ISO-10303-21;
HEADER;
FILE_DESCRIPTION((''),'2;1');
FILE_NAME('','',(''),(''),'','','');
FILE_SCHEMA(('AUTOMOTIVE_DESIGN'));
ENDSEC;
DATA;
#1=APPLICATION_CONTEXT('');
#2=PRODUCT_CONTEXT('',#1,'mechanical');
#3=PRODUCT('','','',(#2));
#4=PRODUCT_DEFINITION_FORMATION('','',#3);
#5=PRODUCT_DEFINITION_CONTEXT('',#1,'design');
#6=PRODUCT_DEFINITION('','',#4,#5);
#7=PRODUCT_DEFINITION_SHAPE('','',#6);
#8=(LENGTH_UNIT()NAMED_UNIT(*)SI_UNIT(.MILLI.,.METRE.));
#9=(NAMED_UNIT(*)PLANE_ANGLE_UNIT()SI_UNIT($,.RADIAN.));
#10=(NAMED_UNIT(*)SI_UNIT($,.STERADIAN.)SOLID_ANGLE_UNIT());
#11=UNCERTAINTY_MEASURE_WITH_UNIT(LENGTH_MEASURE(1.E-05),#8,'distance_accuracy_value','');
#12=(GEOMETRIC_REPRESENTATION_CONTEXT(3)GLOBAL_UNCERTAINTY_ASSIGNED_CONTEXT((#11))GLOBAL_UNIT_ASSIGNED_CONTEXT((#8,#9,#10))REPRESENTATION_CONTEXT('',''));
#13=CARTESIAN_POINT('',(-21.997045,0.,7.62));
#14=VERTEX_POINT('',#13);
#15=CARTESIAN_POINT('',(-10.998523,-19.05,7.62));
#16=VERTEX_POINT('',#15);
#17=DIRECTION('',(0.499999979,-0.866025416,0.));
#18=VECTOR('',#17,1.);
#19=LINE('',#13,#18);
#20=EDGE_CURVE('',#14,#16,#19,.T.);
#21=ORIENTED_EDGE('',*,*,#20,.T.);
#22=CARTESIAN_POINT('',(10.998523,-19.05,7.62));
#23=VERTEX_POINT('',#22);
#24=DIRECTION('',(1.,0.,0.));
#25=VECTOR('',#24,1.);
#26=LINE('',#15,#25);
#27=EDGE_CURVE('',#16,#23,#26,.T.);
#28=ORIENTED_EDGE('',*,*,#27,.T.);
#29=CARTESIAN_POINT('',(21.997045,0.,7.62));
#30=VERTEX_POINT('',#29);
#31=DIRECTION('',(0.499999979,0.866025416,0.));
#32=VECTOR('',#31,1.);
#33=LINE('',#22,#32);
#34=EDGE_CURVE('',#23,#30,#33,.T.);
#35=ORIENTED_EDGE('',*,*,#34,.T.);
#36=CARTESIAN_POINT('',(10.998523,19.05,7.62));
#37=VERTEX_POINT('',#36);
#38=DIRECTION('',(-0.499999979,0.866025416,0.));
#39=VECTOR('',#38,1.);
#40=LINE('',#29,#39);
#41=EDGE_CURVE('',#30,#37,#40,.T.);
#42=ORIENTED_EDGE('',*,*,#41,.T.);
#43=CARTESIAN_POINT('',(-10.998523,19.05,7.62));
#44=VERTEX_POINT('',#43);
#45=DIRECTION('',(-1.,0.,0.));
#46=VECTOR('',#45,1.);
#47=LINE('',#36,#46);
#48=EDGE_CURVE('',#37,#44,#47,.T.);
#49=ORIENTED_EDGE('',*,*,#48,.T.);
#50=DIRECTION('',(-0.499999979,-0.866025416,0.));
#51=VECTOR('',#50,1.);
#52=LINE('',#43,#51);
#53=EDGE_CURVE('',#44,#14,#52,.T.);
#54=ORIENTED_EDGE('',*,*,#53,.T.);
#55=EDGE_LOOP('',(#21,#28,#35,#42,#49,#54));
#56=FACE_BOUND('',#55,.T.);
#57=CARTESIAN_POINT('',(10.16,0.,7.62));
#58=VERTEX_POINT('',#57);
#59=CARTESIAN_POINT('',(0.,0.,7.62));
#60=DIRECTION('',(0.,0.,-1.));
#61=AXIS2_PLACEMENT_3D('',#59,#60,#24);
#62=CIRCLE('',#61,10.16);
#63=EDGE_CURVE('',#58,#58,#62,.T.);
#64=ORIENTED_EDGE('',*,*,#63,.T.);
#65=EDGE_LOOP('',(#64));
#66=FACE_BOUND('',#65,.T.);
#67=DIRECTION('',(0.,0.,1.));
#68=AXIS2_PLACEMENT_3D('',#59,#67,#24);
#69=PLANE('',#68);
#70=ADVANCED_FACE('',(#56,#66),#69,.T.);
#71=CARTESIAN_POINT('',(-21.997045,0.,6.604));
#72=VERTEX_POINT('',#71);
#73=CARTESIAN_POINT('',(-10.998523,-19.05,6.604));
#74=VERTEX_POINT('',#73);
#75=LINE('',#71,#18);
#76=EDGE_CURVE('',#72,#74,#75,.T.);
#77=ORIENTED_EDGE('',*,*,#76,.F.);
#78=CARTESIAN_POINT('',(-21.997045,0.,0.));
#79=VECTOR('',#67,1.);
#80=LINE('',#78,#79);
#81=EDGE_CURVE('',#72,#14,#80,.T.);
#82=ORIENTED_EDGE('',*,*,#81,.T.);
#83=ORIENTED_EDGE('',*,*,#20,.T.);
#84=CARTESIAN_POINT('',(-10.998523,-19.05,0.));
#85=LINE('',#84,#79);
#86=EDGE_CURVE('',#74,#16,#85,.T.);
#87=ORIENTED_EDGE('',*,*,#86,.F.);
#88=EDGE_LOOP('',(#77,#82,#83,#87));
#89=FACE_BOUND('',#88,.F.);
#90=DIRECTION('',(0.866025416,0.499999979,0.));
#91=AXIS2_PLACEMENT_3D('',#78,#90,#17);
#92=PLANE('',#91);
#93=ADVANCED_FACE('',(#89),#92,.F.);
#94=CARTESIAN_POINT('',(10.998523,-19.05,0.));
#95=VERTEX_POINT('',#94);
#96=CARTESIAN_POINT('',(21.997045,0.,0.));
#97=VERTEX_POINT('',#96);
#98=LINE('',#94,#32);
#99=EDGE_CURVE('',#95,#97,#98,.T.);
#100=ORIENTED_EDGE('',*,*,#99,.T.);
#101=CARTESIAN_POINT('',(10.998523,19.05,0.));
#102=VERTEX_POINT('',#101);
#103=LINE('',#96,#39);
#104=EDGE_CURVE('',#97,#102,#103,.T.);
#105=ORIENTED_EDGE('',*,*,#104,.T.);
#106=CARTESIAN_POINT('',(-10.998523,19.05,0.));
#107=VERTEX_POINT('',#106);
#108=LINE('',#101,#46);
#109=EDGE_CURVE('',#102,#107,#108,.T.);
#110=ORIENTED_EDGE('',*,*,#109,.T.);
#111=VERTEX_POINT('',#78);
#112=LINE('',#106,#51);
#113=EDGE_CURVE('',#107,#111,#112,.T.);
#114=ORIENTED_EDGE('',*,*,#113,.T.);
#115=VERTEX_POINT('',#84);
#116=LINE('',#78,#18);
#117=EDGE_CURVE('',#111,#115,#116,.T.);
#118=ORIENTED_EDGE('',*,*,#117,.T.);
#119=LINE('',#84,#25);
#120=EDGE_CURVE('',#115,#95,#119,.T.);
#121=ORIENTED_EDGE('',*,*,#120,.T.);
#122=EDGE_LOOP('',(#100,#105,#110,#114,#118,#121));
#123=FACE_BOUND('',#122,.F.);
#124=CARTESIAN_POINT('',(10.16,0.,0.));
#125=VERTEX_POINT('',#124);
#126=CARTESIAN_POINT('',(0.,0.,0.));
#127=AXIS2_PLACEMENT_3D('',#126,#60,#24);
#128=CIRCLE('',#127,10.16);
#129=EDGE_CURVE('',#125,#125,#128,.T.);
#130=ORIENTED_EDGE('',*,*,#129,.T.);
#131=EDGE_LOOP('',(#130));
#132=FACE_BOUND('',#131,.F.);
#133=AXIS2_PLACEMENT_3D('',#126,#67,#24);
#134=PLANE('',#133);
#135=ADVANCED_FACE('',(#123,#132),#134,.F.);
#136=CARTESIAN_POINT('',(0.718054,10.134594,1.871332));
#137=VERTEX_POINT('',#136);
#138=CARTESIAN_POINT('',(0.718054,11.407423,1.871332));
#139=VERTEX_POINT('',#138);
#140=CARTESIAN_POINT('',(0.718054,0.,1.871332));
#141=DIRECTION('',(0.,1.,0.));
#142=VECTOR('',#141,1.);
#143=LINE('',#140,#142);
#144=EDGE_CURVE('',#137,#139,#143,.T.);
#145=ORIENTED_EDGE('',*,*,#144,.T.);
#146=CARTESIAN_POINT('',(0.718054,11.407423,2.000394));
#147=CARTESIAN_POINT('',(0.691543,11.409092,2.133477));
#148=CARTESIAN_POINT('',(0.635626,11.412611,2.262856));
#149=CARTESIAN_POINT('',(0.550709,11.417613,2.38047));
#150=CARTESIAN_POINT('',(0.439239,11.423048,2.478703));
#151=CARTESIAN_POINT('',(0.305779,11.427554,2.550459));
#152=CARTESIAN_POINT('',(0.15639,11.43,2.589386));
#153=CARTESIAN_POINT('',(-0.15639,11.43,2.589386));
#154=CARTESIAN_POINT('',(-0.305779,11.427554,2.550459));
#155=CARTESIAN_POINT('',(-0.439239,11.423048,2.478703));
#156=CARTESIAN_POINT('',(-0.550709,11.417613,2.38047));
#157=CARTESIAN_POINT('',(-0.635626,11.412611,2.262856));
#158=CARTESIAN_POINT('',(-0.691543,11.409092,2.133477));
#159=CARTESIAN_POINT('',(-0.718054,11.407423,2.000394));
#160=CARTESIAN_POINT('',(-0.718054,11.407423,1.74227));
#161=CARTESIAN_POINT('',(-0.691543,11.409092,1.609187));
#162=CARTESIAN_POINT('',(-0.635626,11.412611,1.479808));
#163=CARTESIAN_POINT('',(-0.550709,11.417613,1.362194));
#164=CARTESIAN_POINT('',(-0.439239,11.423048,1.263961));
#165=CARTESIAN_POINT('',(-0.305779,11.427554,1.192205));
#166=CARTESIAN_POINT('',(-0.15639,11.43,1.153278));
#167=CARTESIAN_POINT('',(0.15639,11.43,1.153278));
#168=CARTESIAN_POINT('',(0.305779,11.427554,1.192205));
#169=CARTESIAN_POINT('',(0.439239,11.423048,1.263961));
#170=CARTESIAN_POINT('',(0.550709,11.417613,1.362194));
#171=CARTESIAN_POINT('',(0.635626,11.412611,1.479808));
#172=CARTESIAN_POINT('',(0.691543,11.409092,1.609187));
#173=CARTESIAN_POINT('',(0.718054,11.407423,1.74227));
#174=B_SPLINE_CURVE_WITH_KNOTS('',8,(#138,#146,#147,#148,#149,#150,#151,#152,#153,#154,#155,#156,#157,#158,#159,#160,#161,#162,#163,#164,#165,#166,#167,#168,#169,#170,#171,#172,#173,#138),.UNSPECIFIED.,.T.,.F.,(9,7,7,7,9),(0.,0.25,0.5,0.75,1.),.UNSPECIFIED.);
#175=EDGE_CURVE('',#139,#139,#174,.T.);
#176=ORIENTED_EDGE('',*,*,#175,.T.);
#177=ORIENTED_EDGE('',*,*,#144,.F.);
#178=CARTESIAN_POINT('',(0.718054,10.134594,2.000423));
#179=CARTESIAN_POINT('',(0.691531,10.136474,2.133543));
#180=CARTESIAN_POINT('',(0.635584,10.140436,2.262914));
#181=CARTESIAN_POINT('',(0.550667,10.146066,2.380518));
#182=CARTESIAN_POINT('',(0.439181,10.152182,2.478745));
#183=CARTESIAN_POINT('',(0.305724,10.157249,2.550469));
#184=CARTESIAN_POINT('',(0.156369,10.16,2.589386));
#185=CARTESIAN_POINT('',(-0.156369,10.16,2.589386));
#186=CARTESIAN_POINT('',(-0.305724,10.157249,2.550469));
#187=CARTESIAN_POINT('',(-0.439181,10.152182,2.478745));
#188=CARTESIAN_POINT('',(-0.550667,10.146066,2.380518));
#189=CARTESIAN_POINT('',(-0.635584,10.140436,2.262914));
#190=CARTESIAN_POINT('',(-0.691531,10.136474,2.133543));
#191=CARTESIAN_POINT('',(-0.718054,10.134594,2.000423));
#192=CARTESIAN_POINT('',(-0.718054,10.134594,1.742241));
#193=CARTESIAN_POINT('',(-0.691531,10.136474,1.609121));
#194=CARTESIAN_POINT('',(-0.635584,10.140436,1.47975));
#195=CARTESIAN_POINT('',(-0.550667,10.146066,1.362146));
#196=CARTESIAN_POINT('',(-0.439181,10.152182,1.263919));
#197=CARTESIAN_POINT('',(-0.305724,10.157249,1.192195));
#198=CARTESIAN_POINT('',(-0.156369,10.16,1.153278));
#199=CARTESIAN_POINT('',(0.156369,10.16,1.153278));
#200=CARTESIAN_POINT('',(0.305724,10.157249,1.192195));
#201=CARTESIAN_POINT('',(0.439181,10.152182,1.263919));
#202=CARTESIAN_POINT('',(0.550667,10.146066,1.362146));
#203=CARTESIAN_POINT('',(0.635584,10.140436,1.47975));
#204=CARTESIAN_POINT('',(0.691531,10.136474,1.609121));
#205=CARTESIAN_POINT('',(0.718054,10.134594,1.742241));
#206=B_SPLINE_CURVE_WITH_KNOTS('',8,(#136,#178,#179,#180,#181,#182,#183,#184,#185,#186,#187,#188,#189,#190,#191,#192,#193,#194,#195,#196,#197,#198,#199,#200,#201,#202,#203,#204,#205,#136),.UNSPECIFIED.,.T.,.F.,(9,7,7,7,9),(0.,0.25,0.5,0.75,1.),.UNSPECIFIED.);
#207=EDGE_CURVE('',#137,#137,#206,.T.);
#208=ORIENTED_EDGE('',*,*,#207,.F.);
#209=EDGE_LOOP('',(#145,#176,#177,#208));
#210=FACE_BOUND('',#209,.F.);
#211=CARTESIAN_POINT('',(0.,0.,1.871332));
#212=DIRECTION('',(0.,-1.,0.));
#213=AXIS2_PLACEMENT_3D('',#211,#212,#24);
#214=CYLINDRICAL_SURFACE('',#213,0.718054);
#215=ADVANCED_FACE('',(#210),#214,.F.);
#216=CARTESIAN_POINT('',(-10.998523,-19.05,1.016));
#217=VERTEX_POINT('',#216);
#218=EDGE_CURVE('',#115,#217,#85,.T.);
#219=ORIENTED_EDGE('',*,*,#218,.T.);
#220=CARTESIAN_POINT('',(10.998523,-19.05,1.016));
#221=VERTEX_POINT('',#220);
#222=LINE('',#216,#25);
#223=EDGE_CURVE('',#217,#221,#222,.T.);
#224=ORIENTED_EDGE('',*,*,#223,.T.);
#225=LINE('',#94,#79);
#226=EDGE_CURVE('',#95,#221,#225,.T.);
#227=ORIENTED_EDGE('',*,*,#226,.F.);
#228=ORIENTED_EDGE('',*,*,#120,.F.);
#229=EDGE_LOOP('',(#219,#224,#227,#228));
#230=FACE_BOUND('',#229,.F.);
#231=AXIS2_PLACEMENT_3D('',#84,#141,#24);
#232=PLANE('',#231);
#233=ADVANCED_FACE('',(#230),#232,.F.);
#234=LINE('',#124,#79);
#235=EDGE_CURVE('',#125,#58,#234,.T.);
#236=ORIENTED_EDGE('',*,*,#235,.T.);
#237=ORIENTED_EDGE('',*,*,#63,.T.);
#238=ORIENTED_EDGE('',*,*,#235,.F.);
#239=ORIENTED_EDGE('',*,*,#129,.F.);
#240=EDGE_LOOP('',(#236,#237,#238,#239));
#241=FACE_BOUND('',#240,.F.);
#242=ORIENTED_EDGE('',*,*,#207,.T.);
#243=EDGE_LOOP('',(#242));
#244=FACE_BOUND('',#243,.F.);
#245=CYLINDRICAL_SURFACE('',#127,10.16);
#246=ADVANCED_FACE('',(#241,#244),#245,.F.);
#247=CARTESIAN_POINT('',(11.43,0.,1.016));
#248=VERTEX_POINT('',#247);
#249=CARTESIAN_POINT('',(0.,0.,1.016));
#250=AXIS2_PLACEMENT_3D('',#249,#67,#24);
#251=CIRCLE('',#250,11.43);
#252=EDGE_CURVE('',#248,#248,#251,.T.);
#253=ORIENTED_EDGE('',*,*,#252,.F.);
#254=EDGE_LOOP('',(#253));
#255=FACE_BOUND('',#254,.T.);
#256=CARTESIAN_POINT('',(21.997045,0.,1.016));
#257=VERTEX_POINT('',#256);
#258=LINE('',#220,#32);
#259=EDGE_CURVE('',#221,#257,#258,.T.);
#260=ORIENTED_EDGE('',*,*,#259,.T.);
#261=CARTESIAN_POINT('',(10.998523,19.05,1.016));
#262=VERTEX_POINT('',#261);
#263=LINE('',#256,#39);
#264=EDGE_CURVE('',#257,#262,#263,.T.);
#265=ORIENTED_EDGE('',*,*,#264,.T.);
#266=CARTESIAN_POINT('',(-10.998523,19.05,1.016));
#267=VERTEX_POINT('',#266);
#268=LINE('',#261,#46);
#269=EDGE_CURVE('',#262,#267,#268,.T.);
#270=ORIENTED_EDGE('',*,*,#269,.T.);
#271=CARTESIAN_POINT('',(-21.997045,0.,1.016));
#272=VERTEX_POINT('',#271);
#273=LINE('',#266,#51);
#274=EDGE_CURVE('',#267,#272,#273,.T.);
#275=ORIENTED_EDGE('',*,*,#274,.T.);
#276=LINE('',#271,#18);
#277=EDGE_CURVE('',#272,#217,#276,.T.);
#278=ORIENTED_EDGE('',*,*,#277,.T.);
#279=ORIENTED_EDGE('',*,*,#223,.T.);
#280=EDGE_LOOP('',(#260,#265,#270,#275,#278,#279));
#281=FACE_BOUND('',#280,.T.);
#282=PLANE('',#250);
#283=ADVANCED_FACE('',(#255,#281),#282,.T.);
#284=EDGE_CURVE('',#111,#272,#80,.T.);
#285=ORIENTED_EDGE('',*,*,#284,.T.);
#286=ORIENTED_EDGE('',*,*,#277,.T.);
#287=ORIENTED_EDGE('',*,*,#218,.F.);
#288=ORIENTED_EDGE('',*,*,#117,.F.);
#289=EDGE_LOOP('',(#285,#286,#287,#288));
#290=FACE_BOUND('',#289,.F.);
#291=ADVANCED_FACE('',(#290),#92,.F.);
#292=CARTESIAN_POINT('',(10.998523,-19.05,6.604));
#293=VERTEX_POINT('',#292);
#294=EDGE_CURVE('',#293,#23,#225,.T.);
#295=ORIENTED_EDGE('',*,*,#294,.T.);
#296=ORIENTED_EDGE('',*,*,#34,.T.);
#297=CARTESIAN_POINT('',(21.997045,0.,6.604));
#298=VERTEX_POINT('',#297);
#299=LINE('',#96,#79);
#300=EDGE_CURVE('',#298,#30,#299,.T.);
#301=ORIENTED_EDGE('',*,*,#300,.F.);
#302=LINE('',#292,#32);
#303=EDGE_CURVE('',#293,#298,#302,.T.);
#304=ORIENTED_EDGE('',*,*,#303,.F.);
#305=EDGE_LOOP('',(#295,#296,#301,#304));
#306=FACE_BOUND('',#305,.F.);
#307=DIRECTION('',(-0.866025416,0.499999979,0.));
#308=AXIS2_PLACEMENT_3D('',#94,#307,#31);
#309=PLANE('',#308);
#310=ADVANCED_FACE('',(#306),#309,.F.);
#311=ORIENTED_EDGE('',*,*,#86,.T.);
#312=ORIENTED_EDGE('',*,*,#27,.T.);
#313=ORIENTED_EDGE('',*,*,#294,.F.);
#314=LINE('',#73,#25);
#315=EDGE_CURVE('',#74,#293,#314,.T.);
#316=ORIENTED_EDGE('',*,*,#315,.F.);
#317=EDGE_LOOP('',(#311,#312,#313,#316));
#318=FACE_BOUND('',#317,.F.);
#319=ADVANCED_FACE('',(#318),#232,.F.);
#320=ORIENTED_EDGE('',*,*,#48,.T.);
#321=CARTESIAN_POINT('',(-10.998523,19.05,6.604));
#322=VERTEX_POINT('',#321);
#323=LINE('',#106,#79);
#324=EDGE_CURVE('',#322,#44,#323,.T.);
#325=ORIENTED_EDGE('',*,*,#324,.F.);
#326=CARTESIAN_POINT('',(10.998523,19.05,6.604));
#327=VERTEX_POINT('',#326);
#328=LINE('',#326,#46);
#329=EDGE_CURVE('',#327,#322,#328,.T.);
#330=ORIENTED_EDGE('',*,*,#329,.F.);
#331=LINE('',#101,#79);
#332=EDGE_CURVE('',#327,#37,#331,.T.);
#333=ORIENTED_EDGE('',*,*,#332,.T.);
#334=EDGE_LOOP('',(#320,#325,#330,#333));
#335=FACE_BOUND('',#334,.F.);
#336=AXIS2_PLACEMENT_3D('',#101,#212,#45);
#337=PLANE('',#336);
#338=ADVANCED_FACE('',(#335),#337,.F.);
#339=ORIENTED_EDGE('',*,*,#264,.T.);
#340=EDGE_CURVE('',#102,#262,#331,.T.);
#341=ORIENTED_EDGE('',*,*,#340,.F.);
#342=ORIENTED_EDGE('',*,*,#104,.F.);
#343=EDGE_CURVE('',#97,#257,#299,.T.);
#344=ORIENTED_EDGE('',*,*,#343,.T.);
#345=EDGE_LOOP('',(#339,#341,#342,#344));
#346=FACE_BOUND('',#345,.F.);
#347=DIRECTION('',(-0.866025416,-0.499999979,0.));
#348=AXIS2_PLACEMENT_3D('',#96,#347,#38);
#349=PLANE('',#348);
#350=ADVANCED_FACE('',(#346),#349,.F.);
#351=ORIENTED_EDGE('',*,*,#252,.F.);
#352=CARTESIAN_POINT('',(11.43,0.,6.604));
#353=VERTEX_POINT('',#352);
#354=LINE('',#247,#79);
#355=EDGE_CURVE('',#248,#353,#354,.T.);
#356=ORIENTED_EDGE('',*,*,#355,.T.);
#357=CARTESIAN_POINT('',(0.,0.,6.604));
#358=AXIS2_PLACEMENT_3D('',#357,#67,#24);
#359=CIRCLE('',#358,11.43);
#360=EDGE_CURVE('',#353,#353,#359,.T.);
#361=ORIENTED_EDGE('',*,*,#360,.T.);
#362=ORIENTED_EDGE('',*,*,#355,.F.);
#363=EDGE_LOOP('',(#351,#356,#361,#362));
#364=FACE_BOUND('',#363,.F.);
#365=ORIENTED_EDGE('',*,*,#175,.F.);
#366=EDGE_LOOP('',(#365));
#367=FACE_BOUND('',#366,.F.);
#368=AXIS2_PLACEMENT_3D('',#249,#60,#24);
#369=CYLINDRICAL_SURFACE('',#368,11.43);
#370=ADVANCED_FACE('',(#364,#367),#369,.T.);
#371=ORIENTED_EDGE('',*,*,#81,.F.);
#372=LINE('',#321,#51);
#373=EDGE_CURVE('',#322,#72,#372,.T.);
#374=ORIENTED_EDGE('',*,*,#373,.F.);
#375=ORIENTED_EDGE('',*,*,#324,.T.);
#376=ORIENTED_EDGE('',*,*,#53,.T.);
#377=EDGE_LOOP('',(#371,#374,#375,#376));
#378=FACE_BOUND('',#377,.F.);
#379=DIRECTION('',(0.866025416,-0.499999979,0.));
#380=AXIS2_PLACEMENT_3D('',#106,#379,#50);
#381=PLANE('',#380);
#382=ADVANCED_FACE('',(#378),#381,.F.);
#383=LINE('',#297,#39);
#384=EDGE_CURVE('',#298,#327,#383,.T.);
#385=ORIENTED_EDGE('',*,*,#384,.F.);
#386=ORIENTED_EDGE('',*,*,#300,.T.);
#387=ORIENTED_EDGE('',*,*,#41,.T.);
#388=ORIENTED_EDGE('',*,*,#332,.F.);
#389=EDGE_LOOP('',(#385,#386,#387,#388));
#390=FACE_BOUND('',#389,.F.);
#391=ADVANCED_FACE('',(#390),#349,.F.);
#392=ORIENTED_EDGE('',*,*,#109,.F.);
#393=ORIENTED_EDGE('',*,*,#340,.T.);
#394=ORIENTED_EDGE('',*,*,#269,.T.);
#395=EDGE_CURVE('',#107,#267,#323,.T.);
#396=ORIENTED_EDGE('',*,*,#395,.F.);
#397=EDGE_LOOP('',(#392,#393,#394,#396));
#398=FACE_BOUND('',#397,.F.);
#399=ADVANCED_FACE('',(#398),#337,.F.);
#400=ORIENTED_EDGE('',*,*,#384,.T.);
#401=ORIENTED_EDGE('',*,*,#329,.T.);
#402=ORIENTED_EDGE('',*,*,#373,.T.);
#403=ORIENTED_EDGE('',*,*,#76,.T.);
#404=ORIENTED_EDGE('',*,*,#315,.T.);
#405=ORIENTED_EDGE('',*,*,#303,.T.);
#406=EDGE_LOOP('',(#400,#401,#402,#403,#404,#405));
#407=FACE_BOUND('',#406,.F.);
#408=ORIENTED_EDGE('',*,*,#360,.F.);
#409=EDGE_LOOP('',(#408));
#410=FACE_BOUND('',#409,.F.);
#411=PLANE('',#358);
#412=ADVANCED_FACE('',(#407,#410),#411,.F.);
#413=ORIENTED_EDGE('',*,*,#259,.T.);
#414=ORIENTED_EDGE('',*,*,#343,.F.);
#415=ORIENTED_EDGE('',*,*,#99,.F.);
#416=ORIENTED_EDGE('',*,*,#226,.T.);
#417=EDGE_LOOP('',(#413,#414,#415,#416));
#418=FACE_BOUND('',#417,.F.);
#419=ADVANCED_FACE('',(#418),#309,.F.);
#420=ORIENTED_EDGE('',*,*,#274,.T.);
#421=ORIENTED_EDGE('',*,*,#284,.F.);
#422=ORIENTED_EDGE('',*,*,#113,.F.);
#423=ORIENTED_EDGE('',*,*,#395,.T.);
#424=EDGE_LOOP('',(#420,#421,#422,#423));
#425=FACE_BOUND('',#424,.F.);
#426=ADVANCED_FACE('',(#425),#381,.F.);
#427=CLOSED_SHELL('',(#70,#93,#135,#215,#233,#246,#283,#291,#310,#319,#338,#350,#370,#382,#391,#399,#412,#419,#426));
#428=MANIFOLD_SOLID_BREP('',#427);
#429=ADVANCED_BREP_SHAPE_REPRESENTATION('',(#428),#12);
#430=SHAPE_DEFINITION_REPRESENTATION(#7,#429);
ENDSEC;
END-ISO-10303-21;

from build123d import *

# Parameters (mm, degrees)
F1_DEPTH = 7.62
F2_R     = 10.16
F3_DEPTH = 25.4
F5_R     = 11.43
F6_DEPTH = 5.588
F7_R     = 0.718054
F8_DEPTH = 25.4


with BuildPart() as f1:
    # F0 (on Top) → F1 (new body)
    with BuildSketch(Plane.XY):
        Polygon((10.998523, 19.05), (-10.998523, 19.05), (-21.997045, 0), (-10.998523, -19.05), (10.998523, -19.05), (21.997045, 0), align=None)
    extrude(amount=F1_DEPTH)

    # F2 (on face) → F3 (cut)
    with BuildSketch(Plane(origin=(0, 0, 0), x_dir=(1, 0, 0), z_dir=(0, 0, -1))):
        Circle(F2_R)
    extrude(amount=-F3_DEPTH, mode=Mode.SUBTRACT)

    # F5 (on offset) → F6 (cut)
    with BuildSketch(Plane.XY.offset(1.016)):
        Polygon((10.998523, -19.05), (21.997045, 0), (10.998523, 19.05), (-10.998523, 19.05), (-21.997045, 0), (-10.998523, -19.05), align=None)
        Circle(F5_R, mode=Mode.SUBTRACT)
    extrude(amount=F6_DEPTH, mode=Mode.SUBTRACT)

    # F7 (on Front) → F8 (cut)
    with BuildSketch(Plane.XZ):
        with Locations((0, 1.871332)):
            Circle(F7_R)
    extrude(amount=-F8_DEPTH, mode=Mode.SUBTRACT)


solid = f1.part
